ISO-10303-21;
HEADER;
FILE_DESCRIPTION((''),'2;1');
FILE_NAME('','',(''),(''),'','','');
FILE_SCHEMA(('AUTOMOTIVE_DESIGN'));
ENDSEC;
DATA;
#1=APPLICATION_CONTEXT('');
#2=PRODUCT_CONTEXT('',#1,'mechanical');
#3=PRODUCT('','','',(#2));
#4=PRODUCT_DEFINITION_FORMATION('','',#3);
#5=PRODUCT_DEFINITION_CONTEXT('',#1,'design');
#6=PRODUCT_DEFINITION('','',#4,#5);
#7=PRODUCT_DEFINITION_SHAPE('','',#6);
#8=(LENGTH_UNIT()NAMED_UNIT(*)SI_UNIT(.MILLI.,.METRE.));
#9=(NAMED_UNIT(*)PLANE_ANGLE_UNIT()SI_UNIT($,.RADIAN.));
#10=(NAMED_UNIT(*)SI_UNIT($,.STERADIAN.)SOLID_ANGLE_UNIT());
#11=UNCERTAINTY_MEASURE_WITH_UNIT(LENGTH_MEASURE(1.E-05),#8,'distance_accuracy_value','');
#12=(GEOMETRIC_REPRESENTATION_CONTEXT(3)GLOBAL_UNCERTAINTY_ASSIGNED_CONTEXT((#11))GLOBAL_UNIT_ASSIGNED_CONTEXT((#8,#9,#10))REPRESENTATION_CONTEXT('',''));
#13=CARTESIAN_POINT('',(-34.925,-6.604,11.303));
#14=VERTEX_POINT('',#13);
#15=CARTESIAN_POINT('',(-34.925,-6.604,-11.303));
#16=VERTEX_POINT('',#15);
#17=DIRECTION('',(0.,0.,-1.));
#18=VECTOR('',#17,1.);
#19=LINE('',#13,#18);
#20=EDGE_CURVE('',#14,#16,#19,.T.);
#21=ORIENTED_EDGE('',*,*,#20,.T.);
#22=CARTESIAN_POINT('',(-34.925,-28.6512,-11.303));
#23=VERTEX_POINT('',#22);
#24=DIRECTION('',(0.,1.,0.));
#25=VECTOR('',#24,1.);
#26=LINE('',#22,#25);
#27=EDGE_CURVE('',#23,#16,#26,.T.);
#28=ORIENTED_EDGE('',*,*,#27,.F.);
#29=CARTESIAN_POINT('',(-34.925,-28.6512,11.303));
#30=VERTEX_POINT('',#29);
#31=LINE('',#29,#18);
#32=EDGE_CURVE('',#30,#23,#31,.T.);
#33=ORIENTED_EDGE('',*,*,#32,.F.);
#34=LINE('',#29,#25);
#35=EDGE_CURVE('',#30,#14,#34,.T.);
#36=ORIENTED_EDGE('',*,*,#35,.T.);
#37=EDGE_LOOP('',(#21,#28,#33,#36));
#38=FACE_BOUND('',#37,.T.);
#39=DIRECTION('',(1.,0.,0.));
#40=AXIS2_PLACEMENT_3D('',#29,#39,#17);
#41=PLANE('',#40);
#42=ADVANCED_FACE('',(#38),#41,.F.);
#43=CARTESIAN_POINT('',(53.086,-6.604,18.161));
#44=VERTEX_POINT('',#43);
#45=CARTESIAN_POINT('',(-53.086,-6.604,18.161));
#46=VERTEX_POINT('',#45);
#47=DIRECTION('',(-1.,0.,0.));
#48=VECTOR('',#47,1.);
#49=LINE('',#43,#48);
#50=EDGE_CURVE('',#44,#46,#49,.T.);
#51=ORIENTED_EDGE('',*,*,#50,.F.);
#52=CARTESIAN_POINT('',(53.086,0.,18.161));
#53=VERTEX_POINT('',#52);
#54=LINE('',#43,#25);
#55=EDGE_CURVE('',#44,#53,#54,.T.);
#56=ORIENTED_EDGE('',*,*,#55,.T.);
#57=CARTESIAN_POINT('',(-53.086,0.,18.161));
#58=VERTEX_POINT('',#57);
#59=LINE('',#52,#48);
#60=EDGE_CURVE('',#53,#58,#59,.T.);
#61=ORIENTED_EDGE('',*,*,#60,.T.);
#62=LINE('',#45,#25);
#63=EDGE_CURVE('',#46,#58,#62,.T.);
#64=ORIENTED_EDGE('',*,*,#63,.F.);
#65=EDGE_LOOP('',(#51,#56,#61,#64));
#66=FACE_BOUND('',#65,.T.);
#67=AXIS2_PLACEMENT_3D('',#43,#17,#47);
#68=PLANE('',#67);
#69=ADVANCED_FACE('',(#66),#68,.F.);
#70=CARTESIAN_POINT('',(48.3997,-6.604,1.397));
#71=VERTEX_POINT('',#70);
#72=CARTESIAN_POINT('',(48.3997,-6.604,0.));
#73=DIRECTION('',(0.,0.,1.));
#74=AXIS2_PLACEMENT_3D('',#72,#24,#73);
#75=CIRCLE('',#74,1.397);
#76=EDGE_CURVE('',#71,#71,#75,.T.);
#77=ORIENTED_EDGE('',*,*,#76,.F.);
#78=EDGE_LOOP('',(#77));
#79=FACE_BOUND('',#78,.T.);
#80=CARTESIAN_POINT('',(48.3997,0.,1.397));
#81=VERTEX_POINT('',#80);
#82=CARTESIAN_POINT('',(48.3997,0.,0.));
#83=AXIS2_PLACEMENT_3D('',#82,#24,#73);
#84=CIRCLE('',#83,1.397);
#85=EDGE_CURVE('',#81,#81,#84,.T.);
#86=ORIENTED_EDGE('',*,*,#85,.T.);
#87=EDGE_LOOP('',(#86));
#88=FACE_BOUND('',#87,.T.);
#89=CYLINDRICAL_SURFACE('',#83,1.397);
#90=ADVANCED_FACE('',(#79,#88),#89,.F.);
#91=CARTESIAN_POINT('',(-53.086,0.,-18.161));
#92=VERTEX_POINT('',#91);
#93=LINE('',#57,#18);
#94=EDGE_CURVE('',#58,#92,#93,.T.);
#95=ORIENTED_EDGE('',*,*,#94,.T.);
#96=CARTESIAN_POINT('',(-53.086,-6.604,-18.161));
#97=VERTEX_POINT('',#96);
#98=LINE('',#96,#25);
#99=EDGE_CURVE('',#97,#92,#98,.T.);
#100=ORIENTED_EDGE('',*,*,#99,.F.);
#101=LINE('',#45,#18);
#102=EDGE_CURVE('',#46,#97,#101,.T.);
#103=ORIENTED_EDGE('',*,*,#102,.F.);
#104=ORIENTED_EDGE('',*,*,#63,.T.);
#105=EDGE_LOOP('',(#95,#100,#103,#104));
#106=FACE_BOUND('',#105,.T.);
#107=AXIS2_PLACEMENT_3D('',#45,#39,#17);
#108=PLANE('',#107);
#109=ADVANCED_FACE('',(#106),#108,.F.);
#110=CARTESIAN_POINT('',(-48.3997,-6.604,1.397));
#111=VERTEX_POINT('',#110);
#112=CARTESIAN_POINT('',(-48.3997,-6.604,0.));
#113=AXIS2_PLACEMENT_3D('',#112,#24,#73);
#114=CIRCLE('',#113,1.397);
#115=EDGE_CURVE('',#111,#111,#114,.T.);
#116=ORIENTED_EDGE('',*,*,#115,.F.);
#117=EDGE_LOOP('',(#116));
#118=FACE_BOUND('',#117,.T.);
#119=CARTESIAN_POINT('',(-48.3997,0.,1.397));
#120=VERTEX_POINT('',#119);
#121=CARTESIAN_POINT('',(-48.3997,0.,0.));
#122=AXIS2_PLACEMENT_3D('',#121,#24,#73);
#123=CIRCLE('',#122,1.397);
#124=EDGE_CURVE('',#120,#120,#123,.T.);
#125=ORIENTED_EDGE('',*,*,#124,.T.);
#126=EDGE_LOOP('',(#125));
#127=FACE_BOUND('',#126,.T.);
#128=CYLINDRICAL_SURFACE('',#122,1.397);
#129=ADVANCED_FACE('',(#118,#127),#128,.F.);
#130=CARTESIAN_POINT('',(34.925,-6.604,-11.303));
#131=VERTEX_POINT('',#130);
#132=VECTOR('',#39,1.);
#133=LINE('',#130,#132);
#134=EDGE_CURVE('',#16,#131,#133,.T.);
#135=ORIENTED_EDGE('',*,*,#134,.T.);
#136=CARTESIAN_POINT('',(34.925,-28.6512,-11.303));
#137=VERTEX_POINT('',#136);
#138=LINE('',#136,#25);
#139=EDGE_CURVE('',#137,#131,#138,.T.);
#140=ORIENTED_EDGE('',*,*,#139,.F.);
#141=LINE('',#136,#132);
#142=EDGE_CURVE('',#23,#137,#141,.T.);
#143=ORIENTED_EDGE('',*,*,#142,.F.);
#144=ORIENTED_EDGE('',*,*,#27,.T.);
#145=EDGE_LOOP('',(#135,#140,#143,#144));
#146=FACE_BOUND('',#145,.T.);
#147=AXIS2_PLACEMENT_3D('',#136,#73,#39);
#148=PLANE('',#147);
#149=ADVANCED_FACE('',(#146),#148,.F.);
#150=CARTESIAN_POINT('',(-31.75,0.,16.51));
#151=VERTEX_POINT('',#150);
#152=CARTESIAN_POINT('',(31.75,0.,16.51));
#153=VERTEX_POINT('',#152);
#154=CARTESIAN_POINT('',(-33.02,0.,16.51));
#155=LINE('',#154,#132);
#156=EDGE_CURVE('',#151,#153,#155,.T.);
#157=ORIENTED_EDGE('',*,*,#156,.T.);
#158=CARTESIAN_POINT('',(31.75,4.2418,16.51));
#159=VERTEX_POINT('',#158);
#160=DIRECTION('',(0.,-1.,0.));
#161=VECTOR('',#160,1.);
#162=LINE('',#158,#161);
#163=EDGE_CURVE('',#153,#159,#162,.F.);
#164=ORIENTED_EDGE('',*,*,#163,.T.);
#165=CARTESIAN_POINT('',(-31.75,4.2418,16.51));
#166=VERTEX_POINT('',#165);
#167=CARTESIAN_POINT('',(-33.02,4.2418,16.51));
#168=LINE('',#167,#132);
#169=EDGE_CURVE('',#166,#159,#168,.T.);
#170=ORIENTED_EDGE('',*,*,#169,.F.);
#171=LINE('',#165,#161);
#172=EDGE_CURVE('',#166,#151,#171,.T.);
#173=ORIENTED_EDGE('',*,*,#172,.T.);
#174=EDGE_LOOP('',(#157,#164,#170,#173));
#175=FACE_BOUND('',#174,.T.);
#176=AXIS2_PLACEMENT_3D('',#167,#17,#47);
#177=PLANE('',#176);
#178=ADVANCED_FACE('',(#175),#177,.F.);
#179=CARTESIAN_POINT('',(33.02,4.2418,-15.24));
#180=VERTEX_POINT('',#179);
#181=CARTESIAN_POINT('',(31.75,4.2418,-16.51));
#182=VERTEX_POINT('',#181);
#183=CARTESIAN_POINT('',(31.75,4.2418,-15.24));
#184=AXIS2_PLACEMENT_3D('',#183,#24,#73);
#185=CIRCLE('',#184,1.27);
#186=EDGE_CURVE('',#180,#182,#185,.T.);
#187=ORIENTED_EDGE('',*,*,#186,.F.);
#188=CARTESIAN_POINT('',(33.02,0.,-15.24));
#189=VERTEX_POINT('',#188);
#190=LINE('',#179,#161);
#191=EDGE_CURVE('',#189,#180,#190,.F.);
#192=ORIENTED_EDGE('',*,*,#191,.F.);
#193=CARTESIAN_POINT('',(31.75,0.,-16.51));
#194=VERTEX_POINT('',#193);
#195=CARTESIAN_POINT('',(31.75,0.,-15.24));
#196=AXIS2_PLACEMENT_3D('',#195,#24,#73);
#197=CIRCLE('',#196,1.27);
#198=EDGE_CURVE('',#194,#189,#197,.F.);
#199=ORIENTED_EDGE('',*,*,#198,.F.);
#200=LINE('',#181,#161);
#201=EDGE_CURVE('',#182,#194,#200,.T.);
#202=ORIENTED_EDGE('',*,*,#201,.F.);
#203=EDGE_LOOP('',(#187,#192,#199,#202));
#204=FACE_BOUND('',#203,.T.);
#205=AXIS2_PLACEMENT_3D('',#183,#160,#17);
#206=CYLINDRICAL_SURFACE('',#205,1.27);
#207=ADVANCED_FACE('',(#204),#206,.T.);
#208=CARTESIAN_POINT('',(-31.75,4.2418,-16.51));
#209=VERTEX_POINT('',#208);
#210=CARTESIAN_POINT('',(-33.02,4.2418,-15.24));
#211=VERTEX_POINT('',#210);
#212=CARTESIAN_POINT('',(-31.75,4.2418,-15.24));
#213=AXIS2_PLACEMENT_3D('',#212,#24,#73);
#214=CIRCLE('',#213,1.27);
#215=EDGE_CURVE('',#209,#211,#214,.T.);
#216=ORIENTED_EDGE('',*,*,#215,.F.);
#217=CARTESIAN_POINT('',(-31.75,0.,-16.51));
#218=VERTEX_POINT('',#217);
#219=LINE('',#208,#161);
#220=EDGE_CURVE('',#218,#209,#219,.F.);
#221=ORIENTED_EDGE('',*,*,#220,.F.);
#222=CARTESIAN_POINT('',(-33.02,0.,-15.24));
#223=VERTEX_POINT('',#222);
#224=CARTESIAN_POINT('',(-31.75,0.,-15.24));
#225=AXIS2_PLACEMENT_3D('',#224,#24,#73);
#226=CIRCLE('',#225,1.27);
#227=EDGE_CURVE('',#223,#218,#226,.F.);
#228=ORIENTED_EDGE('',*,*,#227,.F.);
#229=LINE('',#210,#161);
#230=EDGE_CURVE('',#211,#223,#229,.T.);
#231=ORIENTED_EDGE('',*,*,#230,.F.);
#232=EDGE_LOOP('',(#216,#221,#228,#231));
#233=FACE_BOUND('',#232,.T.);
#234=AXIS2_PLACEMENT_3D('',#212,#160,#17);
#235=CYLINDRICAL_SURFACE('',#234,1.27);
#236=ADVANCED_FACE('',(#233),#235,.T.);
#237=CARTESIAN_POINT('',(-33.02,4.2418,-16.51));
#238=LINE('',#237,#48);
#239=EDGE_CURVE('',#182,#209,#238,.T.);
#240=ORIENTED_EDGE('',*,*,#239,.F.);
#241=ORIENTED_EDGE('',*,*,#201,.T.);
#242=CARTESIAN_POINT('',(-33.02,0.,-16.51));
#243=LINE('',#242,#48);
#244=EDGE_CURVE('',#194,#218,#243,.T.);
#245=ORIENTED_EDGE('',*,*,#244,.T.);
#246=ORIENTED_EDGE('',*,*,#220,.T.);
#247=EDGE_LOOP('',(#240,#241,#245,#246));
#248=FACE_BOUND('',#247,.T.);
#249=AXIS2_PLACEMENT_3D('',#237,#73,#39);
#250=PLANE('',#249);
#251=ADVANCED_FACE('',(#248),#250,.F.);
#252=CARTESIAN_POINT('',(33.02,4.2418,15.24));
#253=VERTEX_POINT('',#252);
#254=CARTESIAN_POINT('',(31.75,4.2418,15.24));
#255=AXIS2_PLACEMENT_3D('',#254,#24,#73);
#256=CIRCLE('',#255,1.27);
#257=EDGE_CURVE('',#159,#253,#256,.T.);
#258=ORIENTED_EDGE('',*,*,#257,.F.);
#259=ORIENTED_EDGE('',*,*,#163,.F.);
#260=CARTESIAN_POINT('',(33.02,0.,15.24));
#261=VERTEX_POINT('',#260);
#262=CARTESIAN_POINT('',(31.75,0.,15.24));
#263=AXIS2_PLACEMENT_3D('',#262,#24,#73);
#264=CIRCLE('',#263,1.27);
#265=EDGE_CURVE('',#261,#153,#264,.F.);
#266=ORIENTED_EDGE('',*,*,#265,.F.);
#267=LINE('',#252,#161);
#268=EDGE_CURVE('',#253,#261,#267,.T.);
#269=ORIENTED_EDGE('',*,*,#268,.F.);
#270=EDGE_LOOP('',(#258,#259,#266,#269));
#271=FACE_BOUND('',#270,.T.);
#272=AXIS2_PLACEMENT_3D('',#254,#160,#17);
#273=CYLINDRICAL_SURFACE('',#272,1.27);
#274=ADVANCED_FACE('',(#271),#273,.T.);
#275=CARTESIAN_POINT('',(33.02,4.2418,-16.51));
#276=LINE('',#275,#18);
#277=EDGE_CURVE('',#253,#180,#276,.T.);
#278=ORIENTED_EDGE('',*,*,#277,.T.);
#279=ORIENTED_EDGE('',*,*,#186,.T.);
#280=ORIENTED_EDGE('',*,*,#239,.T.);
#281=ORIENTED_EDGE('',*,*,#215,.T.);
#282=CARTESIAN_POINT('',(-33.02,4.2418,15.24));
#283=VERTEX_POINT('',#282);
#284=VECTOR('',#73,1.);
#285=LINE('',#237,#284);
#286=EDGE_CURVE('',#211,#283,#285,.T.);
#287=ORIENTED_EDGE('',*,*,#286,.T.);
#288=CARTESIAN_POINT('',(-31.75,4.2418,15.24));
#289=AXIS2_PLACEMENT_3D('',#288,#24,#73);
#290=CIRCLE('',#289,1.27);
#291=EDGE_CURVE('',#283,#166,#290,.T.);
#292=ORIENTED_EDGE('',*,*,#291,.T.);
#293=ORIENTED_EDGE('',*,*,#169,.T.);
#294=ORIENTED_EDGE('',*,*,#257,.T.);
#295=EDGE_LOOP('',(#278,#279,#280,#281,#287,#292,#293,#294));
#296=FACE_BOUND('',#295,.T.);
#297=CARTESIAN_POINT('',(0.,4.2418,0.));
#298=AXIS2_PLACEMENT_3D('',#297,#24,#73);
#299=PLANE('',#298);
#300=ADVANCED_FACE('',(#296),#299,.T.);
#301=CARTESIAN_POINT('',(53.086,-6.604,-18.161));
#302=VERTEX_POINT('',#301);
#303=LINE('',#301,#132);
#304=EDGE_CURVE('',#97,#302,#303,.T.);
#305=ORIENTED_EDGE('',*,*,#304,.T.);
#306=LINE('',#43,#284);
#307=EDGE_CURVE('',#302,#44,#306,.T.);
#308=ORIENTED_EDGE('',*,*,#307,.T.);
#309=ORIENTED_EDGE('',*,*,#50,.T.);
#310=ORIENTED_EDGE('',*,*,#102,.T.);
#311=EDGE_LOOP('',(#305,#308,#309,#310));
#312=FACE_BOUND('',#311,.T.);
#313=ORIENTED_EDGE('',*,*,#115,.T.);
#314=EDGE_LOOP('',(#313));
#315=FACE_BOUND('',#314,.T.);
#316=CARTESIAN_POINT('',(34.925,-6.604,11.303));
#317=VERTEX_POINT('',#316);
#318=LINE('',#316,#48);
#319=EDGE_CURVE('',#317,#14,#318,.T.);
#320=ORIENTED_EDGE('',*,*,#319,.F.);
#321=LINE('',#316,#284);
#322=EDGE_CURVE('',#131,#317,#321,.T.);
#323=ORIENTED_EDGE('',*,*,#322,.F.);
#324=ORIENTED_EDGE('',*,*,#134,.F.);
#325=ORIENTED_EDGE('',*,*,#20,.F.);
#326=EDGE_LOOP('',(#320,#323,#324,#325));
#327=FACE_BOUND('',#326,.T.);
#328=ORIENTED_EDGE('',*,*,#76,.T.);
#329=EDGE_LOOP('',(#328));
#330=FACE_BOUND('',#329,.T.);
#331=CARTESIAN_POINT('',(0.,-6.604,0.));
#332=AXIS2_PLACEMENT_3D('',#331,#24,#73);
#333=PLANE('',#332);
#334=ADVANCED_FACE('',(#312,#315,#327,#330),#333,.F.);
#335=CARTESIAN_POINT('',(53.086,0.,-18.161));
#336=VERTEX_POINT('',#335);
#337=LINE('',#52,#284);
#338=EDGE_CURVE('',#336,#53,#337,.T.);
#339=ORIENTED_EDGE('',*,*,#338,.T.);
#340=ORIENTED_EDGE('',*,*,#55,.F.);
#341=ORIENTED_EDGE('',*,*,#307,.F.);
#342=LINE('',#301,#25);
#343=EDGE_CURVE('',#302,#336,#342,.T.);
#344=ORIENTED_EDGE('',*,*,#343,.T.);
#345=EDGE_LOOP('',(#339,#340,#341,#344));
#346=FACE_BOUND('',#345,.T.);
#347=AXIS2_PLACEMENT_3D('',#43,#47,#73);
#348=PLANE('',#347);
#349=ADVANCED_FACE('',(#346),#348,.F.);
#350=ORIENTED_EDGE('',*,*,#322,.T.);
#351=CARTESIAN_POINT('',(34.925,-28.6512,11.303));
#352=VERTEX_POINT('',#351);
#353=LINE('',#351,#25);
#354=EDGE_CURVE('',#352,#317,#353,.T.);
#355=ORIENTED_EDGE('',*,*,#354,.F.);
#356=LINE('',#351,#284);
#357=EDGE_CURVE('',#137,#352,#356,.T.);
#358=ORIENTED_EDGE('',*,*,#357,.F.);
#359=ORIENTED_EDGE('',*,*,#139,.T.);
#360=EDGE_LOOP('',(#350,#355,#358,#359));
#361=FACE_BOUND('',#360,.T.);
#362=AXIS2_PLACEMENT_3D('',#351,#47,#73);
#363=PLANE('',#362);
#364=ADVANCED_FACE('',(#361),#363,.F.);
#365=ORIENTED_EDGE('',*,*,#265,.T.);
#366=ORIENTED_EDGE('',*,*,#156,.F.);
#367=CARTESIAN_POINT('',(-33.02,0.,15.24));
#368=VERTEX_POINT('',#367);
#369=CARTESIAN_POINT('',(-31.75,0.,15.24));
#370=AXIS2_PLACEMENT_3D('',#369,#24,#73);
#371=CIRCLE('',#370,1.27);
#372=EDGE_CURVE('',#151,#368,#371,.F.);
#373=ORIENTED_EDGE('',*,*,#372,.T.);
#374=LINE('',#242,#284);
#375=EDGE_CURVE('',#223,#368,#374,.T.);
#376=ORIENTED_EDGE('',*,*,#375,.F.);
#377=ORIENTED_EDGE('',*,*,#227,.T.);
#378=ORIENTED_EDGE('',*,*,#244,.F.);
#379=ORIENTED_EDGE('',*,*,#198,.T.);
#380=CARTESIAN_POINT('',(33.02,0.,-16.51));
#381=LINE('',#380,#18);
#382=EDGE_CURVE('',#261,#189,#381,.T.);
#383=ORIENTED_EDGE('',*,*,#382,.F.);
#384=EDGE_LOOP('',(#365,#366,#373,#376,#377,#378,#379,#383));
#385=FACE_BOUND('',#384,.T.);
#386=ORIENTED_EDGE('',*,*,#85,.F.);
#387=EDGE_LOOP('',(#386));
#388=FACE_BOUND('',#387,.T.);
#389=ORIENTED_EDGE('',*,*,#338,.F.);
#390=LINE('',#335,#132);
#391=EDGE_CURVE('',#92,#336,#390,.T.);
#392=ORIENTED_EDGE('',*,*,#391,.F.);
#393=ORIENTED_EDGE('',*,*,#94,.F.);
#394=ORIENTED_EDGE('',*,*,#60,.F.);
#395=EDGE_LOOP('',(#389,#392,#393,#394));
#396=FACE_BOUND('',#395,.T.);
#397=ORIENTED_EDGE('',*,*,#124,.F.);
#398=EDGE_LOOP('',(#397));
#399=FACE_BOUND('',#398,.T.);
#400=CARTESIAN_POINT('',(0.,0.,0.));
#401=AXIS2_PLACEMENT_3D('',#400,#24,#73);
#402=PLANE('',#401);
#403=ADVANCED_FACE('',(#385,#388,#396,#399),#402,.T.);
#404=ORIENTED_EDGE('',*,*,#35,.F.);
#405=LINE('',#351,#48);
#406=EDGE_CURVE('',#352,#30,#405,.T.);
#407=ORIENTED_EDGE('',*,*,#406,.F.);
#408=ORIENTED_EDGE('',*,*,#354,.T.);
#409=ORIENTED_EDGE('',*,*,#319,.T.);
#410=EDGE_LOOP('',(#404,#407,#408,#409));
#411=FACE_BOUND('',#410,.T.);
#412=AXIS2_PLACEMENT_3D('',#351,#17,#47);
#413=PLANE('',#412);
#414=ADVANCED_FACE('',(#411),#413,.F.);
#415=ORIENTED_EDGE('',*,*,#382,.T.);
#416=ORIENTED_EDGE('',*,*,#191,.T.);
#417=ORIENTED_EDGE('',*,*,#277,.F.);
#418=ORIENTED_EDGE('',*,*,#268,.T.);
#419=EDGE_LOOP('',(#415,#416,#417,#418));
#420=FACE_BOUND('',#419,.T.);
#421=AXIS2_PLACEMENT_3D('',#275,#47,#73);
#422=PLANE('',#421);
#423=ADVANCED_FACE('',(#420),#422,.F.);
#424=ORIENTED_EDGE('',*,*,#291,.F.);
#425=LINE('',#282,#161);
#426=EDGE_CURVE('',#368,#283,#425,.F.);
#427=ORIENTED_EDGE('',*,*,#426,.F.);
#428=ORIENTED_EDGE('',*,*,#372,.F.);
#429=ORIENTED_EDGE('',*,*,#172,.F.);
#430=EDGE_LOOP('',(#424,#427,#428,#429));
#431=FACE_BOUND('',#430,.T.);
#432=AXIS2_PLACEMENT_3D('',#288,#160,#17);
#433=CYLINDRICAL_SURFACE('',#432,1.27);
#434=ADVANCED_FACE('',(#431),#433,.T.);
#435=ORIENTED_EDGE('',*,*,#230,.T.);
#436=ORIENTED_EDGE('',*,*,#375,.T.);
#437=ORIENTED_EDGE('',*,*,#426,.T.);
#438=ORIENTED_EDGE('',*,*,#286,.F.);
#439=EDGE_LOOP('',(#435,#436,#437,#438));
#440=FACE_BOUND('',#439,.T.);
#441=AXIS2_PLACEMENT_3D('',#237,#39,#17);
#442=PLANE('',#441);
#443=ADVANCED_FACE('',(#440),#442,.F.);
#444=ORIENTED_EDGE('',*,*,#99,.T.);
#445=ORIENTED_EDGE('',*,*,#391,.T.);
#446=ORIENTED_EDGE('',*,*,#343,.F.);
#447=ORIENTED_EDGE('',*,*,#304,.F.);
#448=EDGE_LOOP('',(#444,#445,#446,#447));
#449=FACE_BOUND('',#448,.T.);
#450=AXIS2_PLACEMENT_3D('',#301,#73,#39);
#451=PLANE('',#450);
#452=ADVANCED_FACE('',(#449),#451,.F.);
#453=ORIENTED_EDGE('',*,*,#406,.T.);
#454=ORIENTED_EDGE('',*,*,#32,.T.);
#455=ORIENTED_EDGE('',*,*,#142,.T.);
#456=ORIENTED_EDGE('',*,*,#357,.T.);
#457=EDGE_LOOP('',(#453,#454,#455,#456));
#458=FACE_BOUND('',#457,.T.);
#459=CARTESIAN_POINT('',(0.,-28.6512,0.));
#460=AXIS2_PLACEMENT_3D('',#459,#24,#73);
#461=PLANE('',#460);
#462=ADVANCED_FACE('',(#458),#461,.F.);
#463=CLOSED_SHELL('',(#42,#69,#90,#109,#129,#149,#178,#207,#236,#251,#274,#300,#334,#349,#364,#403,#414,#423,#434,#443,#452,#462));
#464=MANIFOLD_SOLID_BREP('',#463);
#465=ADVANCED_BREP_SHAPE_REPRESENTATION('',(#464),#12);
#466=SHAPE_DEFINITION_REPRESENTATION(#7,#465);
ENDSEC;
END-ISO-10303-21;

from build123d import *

# Parameters (mm, degrees)
SKETCH1_W             = 66.04
SKETCH1_H             = 33.02
BOSS_EXTRUDE1_DEPTH   = 4.2418
FILLET1_R             = 1.27
SKETCH2_W             = 106.172
SKETCH2_H             = 36.322
BOSS_EXTRUDE2_DEPTH   = 6.604
F_3_CLEARANCE_HOLE1_D = 2.794
SKETCH6_W             = 69.85
SKETCH6_H             = 22.606
BOSS_EXTRUDE3_DEPTH   = 22.0472


with BuildPart() as part:
    # Sketch1 → Boss-Extrude1 (new body)
    with BuildSketch(Plane(origin=(0, 0, 0), x_dir=(1, 0, 0), z_dir=(0, 1, 0))):
        Rectangle(SKETCH1_W, SKETCH1_H)
    extrude(amount=BOSS_EXTRUDE1_DEPTH)

    # Fillet1
    fillet1_edges = [part.edges().sort_by_distance(p)[0] for p in [
        (33.02, 2.1209, 16.51),
        (-33.02, 2.1209, 16.51),
        (-33.02, 2.1209, -16.51),
        (33.02, 2.1209, -16.51),
    ]]
    fillet(fillet1_edges, radius=FILLET1_R)

    # Sketch2 → Boss-Extrude2 (add)
    with BuildSketch(Plane.XZ):
        Rectangle(SKETCH2_W, SKETCH2_H)
    extrude(amount=BOSS_EXTRUDE2_DEPTH)

    # #3 Clearance Hole1 (through all)
    with Locations(Plane(origin=(0, 0, 0), x_dir=(1, 0, 0), z_dir=(0, 1, 0))):
        with Locations((-48.3997, 0), (48.3997, 0)):
            Hole(F_3_CLEARANCE_HOLE1_D / 2)

    # Sketch6 → Boss-Extrude3 (add)
    with BuildSketch(Plane.XZ.offset(6.604)):
        Rectangle(SKETCH6_W, SKETCH6_H)
    extrude(amount=BOSS_EXTRUDE3_DEPTH)


solid = part.part
